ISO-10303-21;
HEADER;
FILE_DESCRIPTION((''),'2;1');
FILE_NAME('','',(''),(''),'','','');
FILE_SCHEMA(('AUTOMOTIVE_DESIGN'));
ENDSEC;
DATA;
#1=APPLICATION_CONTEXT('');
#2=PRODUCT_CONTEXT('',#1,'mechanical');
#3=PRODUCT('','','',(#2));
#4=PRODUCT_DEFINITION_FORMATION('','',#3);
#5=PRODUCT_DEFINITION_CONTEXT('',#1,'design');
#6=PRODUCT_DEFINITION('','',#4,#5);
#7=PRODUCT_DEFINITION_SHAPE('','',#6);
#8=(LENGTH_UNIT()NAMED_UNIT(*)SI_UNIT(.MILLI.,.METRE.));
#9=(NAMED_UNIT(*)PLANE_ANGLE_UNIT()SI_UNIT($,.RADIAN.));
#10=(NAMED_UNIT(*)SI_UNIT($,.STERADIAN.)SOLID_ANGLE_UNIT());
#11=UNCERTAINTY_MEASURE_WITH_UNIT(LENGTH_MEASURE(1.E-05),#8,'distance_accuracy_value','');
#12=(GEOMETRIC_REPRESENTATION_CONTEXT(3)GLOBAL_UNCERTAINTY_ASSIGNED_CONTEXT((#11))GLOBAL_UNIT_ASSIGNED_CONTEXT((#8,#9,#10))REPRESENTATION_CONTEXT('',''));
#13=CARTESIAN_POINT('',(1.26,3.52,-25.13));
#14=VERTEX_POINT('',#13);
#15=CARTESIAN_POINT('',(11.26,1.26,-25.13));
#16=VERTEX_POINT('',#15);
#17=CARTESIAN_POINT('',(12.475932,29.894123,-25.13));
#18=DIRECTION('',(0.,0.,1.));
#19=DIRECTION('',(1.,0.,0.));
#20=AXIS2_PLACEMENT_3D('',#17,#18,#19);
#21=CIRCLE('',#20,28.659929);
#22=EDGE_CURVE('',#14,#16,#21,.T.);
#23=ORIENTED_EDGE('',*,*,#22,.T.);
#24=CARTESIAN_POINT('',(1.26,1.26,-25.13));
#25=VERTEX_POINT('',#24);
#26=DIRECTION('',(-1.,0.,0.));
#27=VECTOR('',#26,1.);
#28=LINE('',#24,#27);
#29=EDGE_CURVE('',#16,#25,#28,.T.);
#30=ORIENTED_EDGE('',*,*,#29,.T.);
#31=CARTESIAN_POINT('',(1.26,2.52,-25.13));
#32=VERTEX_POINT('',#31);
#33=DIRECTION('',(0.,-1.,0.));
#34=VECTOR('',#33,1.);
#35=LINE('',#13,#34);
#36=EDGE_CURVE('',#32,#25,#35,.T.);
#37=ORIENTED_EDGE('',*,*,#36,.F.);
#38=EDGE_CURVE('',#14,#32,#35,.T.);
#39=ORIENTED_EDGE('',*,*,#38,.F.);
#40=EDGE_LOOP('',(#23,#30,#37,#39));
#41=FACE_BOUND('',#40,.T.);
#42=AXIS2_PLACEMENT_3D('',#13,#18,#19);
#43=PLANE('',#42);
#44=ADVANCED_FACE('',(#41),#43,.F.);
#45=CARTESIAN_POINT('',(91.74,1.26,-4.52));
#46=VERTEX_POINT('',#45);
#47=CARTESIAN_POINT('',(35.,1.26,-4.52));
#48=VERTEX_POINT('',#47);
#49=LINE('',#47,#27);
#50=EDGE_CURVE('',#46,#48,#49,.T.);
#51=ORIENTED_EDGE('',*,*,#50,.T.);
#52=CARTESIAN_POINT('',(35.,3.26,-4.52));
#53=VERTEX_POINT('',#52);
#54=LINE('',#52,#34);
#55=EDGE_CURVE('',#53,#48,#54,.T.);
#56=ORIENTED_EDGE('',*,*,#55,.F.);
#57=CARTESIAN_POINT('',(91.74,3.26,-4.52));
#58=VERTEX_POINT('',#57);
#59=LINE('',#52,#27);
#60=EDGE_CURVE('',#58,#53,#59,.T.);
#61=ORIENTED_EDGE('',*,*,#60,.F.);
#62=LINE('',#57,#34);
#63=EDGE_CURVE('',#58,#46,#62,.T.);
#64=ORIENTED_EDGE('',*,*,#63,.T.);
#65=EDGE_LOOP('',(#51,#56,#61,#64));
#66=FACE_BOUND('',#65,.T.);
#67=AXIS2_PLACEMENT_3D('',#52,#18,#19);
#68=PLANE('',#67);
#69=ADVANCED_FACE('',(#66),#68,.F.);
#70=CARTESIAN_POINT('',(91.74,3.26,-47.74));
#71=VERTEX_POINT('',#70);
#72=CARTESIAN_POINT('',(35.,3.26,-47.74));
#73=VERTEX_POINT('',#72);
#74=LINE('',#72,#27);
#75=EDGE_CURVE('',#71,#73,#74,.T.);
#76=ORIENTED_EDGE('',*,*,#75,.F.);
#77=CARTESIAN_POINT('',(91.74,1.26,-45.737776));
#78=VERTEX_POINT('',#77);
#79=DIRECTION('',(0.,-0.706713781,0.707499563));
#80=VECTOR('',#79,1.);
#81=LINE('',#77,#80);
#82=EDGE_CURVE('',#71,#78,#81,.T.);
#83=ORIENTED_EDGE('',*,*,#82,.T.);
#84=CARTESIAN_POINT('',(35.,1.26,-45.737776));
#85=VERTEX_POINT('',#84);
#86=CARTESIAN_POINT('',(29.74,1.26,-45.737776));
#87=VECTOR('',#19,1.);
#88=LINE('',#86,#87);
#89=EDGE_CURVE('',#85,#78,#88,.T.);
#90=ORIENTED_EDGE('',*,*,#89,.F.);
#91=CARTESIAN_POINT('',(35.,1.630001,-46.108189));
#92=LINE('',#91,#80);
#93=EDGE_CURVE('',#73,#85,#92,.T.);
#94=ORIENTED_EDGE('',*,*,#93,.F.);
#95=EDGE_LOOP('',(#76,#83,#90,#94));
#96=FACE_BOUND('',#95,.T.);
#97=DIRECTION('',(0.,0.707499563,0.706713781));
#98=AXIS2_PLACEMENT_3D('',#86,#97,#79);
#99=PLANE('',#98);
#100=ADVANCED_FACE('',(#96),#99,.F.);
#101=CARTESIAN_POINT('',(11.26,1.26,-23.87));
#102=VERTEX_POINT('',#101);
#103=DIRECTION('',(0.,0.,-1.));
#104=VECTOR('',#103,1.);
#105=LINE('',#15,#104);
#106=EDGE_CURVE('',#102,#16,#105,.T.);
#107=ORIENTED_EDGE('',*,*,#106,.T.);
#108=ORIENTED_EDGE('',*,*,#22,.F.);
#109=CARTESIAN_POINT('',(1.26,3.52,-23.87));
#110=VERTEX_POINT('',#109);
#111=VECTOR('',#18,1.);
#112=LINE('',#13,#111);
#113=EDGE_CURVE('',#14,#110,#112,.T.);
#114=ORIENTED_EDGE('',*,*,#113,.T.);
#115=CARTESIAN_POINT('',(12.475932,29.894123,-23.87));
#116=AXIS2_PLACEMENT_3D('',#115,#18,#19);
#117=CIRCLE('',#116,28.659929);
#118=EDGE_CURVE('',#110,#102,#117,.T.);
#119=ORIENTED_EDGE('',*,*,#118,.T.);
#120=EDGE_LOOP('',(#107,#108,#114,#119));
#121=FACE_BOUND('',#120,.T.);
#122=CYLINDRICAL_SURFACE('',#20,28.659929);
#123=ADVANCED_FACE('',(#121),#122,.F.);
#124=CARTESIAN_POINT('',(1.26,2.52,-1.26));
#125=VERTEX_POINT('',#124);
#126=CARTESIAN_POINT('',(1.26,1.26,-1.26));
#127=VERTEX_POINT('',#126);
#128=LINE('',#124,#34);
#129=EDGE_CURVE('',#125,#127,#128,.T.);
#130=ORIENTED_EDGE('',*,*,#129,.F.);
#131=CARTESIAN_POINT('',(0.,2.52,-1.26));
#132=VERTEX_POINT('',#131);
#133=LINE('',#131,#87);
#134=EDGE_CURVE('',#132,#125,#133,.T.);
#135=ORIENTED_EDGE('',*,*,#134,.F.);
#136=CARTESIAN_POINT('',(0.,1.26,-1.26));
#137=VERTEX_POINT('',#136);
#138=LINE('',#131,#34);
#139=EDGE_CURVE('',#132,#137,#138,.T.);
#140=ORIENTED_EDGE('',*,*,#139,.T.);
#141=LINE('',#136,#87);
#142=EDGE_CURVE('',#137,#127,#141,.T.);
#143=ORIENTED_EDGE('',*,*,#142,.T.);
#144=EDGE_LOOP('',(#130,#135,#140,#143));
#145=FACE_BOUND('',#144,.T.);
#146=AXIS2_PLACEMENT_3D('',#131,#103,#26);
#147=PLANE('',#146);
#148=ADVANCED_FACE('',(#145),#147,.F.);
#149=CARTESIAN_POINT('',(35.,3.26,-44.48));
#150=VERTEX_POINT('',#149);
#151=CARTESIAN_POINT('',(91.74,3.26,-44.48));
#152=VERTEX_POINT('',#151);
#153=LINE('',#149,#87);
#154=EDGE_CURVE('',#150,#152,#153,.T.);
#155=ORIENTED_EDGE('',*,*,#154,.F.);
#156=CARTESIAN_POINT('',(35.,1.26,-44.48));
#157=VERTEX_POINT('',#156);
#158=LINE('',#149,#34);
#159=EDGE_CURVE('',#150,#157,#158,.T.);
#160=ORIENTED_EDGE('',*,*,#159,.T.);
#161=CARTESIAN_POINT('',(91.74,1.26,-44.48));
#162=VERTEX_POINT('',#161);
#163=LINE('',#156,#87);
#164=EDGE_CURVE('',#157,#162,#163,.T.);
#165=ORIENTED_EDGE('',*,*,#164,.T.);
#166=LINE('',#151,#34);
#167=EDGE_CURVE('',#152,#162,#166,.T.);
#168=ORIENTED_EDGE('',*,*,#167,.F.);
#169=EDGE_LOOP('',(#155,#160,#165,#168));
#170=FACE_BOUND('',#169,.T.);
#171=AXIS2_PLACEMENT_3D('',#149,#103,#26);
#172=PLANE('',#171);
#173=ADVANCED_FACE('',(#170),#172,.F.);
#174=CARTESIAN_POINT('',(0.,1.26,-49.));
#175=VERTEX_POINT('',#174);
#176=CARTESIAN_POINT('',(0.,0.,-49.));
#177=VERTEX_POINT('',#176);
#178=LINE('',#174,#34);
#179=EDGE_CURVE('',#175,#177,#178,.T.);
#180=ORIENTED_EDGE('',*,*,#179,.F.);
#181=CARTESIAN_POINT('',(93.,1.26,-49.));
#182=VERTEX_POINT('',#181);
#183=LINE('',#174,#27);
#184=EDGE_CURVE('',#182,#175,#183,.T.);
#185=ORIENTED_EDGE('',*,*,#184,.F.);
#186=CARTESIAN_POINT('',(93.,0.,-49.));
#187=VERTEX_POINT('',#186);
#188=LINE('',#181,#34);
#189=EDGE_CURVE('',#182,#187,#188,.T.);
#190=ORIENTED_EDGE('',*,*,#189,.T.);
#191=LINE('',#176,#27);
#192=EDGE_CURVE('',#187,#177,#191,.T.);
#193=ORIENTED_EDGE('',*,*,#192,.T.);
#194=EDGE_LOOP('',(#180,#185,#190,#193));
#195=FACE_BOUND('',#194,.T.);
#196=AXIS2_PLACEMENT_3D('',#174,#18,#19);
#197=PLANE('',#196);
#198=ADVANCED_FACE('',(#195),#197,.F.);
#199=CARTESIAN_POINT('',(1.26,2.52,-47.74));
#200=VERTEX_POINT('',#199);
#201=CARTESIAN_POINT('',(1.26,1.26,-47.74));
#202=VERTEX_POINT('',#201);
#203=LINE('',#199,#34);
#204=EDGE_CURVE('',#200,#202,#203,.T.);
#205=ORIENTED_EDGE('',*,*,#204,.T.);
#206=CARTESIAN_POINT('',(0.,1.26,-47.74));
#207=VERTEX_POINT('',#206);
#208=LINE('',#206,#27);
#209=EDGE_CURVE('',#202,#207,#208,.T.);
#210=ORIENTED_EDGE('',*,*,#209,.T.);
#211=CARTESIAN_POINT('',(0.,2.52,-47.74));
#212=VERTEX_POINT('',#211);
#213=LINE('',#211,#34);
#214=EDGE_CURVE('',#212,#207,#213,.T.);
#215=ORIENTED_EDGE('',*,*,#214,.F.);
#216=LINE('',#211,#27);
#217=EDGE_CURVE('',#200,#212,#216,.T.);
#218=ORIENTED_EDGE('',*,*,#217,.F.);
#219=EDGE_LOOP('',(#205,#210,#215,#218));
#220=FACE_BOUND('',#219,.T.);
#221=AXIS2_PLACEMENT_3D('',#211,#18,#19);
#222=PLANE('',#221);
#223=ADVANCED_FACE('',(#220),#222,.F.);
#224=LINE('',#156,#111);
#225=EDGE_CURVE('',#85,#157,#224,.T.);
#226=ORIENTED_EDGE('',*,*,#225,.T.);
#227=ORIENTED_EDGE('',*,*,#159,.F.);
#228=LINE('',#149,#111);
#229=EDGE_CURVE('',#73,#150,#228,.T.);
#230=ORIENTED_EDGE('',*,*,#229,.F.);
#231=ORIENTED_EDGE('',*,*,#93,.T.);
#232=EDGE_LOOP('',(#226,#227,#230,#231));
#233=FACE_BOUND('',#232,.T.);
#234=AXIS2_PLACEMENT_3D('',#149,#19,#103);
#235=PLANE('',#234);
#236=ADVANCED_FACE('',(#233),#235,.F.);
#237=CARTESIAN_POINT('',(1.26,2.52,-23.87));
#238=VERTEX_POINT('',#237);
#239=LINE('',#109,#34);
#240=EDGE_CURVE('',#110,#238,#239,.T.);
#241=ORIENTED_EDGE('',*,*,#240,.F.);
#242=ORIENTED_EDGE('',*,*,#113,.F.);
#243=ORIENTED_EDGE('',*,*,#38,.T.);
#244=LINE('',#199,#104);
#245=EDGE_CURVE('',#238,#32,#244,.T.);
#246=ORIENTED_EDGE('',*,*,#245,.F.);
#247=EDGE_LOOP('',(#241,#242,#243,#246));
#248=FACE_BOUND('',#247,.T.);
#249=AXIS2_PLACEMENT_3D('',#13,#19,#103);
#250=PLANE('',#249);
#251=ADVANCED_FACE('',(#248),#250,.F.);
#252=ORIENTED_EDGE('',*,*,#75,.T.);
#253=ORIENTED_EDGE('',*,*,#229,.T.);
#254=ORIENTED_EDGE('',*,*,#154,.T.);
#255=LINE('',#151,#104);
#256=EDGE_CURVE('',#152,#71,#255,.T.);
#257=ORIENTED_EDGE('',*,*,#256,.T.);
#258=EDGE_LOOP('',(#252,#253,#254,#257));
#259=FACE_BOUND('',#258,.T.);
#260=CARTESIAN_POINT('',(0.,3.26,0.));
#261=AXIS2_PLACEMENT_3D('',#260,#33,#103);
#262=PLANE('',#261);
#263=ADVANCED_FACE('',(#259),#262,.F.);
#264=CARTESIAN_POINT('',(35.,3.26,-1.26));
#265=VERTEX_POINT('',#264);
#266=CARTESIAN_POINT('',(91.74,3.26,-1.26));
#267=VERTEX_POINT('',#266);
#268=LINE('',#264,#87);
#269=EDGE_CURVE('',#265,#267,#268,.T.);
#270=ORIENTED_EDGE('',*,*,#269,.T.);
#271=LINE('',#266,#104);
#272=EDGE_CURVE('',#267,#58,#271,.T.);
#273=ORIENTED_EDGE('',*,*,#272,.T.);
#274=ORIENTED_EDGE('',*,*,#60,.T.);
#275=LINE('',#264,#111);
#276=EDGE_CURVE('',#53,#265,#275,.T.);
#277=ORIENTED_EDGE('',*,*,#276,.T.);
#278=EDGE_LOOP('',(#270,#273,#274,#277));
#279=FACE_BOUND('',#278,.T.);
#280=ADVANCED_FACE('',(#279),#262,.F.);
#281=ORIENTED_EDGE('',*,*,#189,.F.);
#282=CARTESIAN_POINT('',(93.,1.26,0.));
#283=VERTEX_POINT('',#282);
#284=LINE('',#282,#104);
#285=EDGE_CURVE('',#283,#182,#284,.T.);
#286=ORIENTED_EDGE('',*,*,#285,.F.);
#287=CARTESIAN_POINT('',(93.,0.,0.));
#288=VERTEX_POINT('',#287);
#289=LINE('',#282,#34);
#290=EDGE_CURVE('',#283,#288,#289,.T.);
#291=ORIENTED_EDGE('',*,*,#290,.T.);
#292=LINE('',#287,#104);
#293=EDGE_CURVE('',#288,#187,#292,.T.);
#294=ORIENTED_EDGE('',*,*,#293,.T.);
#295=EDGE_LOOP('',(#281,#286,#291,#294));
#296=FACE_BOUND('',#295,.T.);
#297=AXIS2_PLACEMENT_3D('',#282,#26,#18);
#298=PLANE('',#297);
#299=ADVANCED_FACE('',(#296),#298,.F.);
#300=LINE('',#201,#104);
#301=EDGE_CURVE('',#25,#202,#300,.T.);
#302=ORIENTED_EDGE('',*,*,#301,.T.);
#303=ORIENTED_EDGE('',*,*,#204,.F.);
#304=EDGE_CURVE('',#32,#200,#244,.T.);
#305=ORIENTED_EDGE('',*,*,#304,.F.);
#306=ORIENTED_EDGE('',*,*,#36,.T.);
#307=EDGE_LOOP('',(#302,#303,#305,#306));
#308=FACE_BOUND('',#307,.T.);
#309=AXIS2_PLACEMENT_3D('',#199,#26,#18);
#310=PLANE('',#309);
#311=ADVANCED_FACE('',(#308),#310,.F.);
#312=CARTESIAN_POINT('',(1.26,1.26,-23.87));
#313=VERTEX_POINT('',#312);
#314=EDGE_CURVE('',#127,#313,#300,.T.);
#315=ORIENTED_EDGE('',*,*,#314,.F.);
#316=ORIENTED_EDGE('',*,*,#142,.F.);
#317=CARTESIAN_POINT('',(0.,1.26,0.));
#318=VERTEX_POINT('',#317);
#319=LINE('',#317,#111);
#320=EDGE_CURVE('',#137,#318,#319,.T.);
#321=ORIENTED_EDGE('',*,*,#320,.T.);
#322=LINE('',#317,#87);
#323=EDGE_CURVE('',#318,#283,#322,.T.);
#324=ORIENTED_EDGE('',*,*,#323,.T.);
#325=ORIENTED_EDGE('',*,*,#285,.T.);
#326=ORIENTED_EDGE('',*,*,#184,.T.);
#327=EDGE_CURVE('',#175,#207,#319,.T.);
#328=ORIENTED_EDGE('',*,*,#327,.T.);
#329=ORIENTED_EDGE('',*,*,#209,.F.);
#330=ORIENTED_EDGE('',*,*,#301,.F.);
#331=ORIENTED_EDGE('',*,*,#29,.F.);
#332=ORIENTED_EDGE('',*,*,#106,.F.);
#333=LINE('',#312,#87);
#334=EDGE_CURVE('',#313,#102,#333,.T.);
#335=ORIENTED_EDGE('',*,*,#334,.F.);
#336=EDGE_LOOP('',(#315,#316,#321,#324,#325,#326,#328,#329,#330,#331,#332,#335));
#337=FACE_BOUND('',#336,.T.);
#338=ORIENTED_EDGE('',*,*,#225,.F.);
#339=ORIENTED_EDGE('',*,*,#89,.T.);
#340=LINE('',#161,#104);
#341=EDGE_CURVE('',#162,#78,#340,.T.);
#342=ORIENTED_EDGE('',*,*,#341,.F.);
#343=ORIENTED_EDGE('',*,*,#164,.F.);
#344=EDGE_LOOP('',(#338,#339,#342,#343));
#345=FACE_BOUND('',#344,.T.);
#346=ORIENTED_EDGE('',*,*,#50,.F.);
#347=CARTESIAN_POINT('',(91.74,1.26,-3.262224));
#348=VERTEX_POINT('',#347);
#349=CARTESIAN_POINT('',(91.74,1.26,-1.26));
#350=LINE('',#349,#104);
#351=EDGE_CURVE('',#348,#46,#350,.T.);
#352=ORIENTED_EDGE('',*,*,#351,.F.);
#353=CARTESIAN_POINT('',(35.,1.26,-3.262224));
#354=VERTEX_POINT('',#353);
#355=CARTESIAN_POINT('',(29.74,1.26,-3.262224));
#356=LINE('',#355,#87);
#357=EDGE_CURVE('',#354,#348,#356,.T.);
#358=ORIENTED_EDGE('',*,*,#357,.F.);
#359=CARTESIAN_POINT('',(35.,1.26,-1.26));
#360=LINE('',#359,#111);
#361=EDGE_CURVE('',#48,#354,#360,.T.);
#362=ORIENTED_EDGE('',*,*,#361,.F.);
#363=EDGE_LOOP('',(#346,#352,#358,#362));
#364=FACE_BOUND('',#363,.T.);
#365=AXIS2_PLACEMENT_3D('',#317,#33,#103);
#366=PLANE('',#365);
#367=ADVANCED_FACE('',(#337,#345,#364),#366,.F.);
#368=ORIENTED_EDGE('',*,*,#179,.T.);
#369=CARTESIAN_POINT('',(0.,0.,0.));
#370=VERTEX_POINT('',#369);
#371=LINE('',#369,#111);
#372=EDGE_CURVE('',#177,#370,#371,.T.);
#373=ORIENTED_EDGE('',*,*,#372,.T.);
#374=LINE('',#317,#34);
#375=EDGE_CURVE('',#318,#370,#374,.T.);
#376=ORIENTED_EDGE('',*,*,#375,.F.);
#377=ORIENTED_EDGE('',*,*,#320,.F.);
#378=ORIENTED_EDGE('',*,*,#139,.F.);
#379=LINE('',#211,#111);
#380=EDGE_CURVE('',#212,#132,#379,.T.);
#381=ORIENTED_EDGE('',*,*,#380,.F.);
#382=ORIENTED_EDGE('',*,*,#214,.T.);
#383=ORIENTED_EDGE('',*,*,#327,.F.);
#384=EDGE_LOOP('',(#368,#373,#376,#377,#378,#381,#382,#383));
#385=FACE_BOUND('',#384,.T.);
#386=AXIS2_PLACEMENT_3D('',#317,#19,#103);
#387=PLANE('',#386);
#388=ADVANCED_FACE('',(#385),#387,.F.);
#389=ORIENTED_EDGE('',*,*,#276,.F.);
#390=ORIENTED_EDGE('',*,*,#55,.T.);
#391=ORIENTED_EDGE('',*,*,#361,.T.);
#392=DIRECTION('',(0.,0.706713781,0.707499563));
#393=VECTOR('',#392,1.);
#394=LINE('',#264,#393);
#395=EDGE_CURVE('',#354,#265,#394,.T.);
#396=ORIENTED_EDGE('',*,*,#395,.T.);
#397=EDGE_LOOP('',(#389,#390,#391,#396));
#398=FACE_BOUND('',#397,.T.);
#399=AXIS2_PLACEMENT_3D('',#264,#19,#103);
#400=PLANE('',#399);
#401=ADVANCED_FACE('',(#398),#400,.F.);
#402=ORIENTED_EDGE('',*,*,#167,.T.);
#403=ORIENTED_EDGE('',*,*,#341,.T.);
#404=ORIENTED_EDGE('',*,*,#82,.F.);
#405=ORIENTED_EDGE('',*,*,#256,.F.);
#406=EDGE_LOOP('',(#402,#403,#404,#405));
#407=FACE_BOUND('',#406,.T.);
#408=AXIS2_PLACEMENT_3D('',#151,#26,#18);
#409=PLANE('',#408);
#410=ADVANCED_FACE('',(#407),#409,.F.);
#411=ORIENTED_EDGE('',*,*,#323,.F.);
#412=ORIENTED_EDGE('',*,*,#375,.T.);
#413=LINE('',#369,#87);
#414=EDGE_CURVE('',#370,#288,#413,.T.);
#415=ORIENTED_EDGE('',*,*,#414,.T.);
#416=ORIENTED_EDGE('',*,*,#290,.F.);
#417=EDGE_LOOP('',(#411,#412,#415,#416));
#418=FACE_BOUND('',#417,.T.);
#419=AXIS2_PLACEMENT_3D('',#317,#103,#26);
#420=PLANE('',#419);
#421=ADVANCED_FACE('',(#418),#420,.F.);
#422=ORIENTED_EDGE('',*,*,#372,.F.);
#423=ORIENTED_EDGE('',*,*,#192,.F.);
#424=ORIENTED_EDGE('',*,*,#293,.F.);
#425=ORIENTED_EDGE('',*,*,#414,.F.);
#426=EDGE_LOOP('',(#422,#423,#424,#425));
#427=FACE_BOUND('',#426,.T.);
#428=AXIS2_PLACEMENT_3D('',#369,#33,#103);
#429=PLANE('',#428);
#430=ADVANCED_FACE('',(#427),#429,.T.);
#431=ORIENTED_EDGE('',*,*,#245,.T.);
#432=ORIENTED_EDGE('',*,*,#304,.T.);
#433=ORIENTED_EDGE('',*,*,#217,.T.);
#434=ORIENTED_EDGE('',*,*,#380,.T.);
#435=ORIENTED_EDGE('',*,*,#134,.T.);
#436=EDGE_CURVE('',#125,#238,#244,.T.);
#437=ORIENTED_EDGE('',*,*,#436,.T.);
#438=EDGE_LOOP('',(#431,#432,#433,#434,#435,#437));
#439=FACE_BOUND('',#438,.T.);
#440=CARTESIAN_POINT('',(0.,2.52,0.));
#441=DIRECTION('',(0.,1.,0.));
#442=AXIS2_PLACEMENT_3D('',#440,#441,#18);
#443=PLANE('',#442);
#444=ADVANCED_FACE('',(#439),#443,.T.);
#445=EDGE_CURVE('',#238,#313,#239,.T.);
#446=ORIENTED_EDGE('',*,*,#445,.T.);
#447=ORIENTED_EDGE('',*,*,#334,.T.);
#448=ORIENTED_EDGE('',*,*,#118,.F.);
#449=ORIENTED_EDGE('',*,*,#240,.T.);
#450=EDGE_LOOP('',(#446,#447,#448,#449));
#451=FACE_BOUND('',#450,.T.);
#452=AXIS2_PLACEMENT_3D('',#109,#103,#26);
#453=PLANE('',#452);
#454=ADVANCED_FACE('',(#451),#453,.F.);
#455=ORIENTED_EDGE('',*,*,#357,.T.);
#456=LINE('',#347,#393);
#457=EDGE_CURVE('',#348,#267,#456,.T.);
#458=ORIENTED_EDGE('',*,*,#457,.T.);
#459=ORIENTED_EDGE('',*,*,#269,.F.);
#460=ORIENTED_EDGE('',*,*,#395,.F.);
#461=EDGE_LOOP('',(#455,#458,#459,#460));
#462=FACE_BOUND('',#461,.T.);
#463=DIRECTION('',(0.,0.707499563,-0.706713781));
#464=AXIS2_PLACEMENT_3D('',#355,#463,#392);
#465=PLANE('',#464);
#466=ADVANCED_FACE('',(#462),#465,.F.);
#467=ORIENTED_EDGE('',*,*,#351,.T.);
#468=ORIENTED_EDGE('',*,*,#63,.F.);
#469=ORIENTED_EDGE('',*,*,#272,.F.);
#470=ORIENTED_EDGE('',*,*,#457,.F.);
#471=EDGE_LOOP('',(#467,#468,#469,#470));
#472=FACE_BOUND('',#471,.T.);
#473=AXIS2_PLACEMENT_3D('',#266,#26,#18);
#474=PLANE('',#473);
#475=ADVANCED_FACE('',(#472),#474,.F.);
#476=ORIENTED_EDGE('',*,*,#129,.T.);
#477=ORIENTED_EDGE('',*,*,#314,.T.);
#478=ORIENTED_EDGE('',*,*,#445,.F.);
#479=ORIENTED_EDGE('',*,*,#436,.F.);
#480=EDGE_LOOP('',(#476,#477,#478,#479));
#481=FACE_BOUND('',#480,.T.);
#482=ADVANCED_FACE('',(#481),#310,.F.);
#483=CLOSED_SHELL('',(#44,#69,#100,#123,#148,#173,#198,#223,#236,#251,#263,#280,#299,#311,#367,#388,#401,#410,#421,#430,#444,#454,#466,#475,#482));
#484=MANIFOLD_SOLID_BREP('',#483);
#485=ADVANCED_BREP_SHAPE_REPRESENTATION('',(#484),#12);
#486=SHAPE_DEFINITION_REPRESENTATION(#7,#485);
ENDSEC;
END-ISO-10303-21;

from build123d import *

# Parameters (mm, degrees)
ESBO_O1_W                = 93
ESBO_O1_H                = 49
RESSALTO_EXTRUS_O1_DEPTH = 1.26
ESBO_O2_W                = 1.26
ESBO_O2_H                = 46.48
RESSALTO_EXTRUS_O2_DEPTH = 1.26
ESBO_O3_W                = 10
ESBO_O3_H                = 1.26
RESSALTO_EXTRUS_O3_DEPTH = 2.26
CORTE_EXTRUS_O1_DEPTH    = 1.26
ESBO_O5_W                = 56.74
ESBO_O5_H                = 3.26
RESSALTO_EXTRUS_O4_DEPTH = 2
CORTE_EXTRUS_O3_DEPTH    = 62


with BuildPart() as part:
    # Esboço1 → Ressalto-extrusão1 (new body)
    with BuildSketch(Plane(origin=(0, 0, 0), x_dir=(1, 0, 0), z_dir=(0, 1, 0))):
        with Locations((46.5, 24.5)):
            Rectangle(ESBO_O1_W, ESBO_O1_H)
    extrude(amount=RESSALTO_EXTRUS_O1_DEPTH)

    # Esboço2 → Ressalto-extrusão2 (add)
    with BuildSketch(Plane(origin=(0, 1.26, 0), x_dir=(1, 0, 0), z_dir=(0, 1, 0))):
        with Locations((0.63, 24.5)):
            Rectangle(ESBO_O2_W, ESBO_O2_H)
    extrude(amount=RESSALTO_EXTRUS_O2_DEPTH)

    # Esboço3 → Ressalto-extrusão3 (add)
    with BuildSketch(Plane(origin=(0, 1.26, 0), x_dir=(1, 0, 0), z_dir=(0, 1, 0))):
        with Locations((6.26, 24.5)):
            Rectangle(ESBO_O3_W, ESBO_O3_H)
    extrude(amount=RESSALTO_EXTRUS_O3_DEPTH)

    # Esboço4 → Corte-extrusão1 (cut)
    with BuildSketch(Plane.XY.offset(-23.87)):
        with BuildLine():
            Line((1.26, 3.52), (11.26, 3.52))
            Line((11.26, 3.52), (11.26, 1.26))
            ThreePointArc((11.26, 1.26), (6.158122993, 1.939216781), (1.26, 3.52))
        make_face()
    extrude(amount=-CORTE_EXTRUS_O1_DEPTH, mode=Mode.SUBTRACT)

    # Esboço5 → Ressalto-extrusão4 (add)
    with BuildSketch(Plane(origin=(0, 1.26, 0), x_dir=(1, 0, 0), z_dir=(0, 1, 0))):
        with Locations((63.37, 2.89)):
            Rectangle(ESBO_O5_W, ESBO_O5_H)
        with Locations((63.37, 46.11)):
            Rectangle(ESBO_O5_W, ESBO_O5_H)
    extrude(amount=RESSALTO_EXTRUS_O4_DEPTH)

    # Esboço6 → Corte-extrusão3 (cut)
    with BuildSketch(Plane(origin=(91.74, 0, 0), x_dir=(0, 0, -1), z_dir=(1, 0, 0))):
        Polygon((3.262223764, 1.26), (1.26, 3.26), (1.26, 1.26), align=None)
        Polygon((45.737776236, 1.26), (47.74, 3.26), (47.74, 1.26), align=None)
    extrude(amount=-CORTE_EXTRUS_O3_DEPTH, mode=Mode.SUBTRACT)


solid = part.part
